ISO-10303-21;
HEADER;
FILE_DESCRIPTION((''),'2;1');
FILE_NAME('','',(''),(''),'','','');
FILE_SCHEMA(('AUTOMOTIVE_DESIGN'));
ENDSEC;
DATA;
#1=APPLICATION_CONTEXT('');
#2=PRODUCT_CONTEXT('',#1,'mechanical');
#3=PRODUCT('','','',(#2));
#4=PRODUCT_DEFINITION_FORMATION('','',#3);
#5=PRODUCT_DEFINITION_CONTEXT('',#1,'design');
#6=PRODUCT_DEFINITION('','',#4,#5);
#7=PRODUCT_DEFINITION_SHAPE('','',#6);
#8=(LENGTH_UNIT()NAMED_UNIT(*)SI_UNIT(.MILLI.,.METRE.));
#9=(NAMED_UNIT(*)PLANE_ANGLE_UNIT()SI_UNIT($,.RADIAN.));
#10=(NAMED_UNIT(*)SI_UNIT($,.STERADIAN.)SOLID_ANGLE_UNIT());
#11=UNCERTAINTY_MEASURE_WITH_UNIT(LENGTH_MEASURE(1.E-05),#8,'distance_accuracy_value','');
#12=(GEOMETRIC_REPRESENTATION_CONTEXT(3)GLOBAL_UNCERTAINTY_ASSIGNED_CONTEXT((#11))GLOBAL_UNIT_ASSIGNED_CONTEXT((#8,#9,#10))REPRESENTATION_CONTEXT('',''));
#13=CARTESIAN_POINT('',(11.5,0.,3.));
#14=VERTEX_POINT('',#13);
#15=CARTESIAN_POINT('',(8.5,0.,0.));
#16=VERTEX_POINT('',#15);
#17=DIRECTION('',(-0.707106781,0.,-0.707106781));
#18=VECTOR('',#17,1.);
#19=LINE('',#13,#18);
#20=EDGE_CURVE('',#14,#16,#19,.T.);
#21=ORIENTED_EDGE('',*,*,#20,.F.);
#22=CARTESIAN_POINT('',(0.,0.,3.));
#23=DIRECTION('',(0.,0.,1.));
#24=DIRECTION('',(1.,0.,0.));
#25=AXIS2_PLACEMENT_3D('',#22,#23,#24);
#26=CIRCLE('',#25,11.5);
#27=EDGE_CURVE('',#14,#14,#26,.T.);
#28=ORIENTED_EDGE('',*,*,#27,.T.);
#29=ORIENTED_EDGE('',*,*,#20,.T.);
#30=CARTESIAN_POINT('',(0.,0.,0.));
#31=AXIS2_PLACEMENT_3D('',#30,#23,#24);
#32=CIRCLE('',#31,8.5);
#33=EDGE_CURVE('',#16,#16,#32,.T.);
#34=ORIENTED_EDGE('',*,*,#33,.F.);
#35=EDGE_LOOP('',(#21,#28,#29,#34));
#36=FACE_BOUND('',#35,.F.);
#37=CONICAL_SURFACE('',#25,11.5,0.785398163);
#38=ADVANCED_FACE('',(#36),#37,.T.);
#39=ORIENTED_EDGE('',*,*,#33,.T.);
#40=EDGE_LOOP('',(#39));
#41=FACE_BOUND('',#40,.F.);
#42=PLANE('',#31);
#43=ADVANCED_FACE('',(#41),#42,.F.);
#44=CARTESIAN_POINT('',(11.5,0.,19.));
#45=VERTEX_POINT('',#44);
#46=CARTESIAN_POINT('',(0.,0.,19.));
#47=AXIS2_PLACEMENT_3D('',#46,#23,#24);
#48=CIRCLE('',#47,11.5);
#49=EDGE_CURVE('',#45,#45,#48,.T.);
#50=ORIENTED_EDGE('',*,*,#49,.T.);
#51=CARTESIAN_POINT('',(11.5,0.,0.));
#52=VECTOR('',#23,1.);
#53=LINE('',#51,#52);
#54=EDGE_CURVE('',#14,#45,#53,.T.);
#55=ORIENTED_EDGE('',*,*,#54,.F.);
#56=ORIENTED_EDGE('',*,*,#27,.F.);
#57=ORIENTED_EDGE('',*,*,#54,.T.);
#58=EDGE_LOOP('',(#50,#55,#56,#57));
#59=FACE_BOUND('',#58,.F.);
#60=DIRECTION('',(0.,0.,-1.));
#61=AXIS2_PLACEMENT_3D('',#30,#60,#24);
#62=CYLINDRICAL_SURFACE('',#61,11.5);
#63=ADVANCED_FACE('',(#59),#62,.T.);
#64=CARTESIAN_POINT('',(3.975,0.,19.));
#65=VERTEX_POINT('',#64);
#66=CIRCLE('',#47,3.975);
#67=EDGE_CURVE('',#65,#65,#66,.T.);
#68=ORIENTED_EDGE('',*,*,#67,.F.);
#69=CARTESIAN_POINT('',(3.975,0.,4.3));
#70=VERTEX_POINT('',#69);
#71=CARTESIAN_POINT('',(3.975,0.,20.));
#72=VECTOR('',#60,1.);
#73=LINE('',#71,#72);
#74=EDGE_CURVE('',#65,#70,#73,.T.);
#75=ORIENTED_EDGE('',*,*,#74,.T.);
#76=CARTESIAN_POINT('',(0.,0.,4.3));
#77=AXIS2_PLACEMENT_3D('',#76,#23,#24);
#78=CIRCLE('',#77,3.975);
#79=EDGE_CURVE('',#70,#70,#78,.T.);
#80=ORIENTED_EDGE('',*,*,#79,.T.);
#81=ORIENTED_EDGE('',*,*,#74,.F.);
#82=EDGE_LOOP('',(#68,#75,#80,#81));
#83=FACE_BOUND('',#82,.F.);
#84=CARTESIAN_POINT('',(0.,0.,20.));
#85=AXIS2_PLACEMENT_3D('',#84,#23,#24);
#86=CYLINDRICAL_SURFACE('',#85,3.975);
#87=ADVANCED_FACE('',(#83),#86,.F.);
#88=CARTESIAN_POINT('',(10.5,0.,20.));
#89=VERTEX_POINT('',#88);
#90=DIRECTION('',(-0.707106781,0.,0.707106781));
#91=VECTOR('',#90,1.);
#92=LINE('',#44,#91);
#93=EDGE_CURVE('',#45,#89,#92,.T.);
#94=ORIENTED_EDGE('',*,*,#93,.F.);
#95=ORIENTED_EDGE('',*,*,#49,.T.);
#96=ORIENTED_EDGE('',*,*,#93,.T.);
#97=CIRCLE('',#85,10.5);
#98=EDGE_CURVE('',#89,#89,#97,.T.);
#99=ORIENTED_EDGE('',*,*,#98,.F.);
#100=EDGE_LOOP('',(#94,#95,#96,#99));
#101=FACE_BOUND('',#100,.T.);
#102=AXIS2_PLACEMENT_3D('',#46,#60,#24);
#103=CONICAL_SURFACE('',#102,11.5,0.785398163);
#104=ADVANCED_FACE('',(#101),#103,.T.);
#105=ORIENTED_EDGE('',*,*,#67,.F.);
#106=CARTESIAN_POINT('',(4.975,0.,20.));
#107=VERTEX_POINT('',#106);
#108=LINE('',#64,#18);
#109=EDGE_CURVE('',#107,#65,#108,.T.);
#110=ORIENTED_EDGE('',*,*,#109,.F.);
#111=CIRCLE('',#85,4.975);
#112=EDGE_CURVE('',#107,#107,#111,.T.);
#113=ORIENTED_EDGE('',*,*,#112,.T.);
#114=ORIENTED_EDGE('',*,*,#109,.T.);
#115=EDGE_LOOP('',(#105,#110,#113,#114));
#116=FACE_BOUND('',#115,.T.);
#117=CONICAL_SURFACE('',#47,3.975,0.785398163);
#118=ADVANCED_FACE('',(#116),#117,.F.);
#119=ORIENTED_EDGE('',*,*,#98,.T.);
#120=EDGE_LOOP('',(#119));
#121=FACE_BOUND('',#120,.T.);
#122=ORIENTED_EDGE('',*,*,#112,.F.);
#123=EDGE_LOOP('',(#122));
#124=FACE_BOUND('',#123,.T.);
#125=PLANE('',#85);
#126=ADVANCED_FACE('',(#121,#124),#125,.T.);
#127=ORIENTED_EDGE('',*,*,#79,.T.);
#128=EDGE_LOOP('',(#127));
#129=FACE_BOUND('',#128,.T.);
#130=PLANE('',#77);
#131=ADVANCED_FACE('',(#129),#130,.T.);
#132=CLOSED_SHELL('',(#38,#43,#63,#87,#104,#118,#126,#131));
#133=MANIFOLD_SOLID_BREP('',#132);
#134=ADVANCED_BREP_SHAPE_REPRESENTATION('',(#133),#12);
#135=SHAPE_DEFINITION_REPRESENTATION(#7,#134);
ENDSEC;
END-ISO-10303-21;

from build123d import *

# Parameters (mm, degrees)
F0_R     = 11.5
F0_R_2   = 3.985
F1_DEPTH = 20
F2_R     = 3.975
F3_DEPTH = 15.7
F4_SIZE  = 3
F5_SIZE  = 1


with BuildPart() as f1:
    # F0 (on Top) → F1 (new body)
    with BuildSketch(Plane.XY):
        Circle(F0_R)
        Circle(F0_R_2, mode=Mode.SUBTRACT)
        Circle(F0_R_2)
    extrude(amount=F1_DEPTH)

    # F2 (on face) → F3 (cut)
    with BuildSketch(Plane.XY.offset(20)):
        Circle(F2_R)
    extrude(amount=-F3_DEPTH, mode=Mode.SUBTRACT)

    # F4
    f4_edges = [f1.edges().sort_by_distance(p)[0] for p in [
        (-11.5, 0, 0),
    ]]
    chamfer(f4_edges, length=F4_SIZE)

    # F5
    f5_edges = [f1.edges().sort_by_distance(p)[0] for p in [
        (-11.5, 0, 20),
        (-3.975, 0, 20),
    ]]
    chamfer(f5_edges, length=F5_SIZE)


solid = f1.part
